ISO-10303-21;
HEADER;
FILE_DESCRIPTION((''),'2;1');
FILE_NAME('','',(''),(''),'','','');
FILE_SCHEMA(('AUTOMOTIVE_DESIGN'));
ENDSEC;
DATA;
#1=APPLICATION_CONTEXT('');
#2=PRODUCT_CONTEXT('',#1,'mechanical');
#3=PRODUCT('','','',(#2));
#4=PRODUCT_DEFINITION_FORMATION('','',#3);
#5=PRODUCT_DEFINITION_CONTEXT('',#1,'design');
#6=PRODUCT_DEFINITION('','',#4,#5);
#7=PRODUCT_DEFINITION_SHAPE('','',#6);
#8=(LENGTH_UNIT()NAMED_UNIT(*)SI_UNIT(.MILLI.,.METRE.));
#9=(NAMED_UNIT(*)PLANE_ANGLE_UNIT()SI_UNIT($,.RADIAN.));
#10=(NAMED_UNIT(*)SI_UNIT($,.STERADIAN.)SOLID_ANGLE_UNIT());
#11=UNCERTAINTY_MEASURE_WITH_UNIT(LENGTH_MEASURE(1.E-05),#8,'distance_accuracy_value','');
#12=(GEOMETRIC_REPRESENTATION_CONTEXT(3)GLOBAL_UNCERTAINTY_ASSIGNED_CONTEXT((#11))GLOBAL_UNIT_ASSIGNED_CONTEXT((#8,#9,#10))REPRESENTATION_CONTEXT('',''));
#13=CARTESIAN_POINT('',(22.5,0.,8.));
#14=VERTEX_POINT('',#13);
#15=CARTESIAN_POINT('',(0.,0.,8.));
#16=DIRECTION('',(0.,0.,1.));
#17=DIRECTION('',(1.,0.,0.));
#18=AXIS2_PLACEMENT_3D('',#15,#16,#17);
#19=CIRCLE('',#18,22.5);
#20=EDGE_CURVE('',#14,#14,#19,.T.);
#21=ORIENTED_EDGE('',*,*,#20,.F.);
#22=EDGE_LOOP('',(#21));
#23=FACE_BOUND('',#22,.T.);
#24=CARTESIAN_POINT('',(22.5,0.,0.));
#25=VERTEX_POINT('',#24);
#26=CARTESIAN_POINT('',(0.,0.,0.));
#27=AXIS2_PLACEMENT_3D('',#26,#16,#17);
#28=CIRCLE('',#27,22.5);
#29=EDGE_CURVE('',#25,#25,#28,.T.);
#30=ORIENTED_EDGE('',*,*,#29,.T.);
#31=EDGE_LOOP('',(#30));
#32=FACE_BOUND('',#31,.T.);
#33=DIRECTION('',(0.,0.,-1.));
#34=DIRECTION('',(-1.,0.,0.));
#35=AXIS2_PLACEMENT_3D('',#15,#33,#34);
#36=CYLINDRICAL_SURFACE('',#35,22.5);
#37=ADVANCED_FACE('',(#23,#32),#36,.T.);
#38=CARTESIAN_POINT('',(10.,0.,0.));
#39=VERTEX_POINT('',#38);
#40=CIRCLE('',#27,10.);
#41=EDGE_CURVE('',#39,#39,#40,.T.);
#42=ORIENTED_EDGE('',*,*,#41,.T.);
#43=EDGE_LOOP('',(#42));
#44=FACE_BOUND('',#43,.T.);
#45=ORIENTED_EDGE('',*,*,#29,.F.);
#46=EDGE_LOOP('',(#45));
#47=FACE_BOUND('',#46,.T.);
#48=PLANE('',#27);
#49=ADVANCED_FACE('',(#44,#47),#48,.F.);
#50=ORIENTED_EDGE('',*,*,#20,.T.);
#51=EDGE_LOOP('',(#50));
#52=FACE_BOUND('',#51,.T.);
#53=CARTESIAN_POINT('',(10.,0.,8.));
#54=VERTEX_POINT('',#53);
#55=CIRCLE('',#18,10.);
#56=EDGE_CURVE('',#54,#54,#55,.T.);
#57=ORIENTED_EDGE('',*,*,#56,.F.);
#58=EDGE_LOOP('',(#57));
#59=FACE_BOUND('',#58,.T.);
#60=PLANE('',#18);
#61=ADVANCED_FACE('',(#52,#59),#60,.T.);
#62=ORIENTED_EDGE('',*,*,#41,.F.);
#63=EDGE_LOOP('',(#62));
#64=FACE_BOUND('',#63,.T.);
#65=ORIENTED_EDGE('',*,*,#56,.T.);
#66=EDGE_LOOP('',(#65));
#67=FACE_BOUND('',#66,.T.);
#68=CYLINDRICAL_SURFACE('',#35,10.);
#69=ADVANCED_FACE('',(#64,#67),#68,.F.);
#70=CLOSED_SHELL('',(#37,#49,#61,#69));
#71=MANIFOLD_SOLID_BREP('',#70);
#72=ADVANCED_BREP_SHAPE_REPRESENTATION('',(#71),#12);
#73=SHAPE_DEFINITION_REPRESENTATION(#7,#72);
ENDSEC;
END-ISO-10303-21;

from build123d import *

# Parameters (mm, degrees)
IZIM1_R                     = 22.5
IZIM1_R_2                   = 10
Y_KSEKLIK_EKSTR_ZYON1_DEPTH = 8


with BuildPart() as part:
    # Çizim1 → Yükseklik-Ekstrüzyon1 (new body)
    with BuildSketch(Plane.XY):
        Circle(IZIM1_R)
        Circle(IZIM1_R_2, mode=Mode.SUBTRACT)
    extrude(amount=Y_KSEKLIK_EKSTR_ZYON1_DEPTH)


solid = part.part
